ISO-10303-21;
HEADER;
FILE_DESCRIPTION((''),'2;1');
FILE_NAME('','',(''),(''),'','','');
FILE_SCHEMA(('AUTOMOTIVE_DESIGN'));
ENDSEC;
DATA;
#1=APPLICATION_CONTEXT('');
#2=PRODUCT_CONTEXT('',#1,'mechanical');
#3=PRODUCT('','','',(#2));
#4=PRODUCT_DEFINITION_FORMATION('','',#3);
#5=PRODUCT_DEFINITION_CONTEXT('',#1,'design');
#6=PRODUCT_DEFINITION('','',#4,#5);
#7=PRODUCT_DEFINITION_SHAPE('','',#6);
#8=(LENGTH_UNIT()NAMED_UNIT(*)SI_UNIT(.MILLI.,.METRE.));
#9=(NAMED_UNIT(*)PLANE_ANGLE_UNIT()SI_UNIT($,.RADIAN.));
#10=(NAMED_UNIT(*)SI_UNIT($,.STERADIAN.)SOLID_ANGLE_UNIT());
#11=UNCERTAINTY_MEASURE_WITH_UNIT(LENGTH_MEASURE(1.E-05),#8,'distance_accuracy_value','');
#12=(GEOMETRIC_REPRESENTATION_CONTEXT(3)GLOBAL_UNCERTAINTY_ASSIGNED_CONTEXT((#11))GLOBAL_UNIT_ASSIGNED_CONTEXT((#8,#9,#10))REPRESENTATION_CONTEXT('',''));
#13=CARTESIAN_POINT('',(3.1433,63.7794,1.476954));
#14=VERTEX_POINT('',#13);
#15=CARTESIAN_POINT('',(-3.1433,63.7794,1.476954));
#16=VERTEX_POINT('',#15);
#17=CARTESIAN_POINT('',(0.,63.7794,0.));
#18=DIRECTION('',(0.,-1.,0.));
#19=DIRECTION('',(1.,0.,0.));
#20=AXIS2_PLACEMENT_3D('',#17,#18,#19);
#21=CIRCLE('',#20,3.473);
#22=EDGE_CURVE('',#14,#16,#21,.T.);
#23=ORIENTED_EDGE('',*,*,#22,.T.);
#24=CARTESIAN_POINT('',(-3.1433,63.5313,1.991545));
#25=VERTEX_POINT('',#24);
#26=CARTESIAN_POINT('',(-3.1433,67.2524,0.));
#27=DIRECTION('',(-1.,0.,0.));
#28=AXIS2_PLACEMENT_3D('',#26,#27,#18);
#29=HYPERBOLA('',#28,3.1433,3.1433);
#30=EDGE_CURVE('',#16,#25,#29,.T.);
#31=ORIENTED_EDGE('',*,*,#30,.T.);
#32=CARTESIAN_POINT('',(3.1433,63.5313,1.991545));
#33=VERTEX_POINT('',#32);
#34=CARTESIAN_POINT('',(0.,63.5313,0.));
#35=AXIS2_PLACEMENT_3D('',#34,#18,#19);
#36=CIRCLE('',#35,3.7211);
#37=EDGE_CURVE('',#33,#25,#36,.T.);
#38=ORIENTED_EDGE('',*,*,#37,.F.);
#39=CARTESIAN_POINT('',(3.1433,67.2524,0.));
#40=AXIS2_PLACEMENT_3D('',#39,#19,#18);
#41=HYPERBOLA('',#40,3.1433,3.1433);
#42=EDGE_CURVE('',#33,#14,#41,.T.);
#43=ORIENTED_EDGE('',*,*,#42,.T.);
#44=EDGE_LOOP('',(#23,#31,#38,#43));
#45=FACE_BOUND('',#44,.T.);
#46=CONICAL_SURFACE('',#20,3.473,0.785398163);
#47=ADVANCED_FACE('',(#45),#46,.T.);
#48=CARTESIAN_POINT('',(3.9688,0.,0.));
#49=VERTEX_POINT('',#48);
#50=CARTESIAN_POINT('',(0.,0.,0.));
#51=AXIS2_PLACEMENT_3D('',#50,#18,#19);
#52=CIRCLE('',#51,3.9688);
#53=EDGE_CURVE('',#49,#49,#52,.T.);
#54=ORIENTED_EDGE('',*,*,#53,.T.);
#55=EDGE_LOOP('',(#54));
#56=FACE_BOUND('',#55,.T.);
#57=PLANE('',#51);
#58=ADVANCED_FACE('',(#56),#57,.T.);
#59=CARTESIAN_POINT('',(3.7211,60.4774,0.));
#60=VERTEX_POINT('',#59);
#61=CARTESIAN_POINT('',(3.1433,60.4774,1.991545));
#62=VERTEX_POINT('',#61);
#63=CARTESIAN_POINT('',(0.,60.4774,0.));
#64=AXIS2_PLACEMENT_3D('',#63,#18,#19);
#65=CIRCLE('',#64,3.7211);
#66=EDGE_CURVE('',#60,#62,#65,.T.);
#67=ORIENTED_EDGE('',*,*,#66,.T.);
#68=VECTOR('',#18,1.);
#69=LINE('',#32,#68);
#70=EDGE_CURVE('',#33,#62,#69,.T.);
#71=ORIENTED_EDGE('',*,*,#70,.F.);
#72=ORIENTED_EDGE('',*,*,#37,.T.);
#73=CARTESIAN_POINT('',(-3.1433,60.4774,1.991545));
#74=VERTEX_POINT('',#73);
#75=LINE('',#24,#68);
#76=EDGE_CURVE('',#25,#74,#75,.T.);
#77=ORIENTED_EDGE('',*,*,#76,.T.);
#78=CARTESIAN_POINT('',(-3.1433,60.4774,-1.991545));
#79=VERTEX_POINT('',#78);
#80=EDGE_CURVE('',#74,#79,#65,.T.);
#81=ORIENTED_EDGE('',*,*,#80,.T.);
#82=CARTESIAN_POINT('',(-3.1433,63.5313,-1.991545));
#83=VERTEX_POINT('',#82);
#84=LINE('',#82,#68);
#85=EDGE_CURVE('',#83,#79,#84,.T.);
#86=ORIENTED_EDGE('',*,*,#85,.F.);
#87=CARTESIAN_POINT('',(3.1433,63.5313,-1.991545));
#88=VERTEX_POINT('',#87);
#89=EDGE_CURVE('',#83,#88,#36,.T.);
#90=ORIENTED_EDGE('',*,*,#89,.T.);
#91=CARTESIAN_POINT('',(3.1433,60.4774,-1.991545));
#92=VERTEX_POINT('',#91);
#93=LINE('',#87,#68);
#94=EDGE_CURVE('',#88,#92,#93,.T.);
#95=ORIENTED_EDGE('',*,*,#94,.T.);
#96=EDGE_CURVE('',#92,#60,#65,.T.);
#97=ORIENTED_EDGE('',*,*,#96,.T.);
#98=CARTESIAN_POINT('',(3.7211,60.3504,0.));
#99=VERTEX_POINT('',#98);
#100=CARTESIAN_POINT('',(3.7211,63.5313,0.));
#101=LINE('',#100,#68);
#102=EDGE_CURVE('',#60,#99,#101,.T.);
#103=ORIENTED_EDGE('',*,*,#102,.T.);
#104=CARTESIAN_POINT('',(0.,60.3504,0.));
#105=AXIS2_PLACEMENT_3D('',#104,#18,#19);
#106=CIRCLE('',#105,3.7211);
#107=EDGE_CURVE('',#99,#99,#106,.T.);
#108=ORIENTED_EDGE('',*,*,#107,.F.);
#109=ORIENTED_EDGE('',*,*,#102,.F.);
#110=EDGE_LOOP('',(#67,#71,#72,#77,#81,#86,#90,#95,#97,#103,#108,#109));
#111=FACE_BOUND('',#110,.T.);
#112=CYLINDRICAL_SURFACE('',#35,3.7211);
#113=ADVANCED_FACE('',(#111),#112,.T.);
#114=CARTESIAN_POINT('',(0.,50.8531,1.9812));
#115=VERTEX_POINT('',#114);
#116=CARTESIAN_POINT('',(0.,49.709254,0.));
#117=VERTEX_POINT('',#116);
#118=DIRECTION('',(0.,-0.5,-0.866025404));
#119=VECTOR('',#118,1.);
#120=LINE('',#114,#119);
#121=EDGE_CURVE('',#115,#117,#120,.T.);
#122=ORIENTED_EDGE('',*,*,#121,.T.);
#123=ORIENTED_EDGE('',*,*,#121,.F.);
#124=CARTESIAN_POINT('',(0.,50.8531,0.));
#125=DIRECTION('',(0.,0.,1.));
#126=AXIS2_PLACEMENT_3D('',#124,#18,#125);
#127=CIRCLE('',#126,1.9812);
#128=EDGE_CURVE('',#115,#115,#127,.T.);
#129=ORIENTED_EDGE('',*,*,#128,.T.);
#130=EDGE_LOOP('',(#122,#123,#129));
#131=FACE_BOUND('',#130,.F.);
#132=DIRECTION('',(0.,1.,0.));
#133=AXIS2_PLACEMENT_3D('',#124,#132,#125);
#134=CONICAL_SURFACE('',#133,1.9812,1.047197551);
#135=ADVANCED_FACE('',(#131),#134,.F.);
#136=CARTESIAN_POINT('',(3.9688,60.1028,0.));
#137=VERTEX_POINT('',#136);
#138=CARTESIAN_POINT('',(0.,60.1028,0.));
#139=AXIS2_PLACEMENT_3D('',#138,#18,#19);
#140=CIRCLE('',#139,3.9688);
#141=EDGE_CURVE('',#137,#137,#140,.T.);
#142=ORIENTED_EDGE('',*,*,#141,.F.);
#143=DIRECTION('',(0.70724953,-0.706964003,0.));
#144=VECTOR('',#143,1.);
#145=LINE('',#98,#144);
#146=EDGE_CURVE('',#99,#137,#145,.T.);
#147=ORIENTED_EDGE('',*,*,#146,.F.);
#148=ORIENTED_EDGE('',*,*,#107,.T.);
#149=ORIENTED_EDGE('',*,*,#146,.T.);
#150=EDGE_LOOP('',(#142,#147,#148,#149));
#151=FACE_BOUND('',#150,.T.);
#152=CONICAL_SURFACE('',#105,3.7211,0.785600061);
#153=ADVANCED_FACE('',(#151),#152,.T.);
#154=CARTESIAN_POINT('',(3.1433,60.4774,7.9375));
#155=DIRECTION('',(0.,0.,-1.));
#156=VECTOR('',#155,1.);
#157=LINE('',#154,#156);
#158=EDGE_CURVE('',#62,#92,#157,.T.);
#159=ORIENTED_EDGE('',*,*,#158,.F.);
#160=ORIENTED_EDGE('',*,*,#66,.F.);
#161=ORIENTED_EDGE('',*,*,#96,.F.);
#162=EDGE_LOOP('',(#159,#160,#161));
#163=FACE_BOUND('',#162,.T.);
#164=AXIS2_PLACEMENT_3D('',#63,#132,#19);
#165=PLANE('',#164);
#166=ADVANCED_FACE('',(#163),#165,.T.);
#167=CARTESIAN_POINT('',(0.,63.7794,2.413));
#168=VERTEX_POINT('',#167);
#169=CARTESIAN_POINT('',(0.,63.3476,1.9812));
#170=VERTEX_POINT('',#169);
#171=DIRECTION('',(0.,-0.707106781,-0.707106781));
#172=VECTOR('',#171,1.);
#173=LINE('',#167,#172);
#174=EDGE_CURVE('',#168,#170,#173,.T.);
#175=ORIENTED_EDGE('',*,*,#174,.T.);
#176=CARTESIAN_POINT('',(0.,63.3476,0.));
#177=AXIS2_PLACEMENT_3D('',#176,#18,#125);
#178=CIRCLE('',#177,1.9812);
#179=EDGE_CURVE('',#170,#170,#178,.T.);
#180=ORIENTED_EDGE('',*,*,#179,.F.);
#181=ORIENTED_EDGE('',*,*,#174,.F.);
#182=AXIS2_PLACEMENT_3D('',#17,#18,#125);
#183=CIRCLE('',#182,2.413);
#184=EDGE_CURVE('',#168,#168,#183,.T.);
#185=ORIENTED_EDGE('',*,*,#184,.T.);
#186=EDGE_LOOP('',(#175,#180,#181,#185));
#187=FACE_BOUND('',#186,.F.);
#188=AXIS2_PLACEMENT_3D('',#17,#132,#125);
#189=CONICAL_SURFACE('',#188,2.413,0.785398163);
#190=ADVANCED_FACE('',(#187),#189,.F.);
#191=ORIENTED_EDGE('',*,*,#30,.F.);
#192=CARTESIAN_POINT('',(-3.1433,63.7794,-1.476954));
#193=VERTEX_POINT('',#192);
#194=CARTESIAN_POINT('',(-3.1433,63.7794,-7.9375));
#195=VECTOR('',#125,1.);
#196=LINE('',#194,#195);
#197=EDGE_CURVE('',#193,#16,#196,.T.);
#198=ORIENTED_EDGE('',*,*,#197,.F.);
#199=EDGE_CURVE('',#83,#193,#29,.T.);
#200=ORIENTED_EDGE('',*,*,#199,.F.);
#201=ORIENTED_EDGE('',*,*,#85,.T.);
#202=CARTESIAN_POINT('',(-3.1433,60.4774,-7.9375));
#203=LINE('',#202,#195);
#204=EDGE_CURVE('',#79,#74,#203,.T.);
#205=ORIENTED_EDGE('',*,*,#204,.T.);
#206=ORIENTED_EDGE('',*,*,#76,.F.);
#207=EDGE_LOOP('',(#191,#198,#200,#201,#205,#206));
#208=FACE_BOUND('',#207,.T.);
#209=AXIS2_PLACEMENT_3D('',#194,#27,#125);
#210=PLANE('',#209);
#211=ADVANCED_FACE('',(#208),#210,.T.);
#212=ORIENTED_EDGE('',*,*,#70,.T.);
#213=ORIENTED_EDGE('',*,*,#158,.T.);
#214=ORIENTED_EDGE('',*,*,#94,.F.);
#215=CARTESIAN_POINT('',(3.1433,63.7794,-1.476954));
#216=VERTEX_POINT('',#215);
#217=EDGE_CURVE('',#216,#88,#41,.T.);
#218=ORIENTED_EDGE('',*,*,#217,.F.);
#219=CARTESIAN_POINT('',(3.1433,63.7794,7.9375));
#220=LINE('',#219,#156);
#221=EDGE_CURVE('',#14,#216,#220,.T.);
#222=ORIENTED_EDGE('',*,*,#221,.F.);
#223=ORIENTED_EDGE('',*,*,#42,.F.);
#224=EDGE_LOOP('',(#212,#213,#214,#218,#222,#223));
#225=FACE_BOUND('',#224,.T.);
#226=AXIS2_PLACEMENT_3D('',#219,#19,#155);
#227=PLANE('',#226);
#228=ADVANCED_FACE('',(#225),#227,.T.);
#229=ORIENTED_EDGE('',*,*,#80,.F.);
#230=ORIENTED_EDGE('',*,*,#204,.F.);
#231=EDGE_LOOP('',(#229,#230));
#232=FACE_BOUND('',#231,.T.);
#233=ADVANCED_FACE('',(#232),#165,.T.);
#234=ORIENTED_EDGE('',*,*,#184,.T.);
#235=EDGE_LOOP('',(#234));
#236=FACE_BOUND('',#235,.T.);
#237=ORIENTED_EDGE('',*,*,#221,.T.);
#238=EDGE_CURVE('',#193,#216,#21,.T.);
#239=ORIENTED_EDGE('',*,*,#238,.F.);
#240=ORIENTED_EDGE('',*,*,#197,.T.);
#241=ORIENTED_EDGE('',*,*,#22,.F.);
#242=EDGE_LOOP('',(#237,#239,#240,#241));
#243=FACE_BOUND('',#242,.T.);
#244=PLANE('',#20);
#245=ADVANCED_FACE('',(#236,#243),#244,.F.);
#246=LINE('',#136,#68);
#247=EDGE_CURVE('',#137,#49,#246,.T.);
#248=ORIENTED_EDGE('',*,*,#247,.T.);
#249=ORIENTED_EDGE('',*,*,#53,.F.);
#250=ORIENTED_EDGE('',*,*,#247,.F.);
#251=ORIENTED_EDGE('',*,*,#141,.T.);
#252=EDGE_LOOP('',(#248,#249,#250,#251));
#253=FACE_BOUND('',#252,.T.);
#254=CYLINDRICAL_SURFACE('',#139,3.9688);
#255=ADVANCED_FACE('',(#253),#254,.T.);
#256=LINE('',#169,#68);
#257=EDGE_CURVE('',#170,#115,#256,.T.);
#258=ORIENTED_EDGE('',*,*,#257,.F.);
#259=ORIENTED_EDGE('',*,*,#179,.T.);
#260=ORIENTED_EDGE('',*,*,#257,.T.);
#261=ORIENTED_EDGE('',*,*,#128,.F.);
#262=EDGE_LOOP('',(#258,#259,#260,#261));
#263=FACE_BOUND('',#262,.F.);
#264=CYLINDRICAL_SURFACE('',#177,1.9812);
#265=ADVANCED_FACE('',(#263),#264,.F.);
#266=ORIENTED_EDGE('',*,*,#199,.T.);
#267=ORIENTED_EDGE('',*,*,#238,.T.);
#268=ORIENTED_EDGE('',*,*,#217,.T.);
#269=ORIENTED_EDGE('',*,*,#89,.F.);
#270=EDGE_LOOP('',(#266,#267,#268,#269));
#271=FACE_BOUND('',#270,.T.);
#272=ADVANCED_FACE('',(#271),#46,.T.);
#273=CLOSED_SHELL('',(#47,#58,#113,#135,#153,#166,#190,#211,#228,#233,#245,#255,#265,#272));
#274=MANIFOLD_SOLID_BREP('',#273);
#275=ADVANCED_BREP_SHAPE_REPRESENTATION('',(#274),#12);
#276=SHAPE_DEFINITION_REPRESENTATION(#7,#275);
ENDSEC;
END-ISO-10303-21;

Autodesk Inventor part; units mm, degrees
sketch "Sketch_31" plane through (0, 0, 0) normal (0, 0, 1) x (1, 0, 0)
  line L0 (0, 0) -> (0, 63.7794)
  line L1 (0, 63.7794) -> (3.473, 63.7794)
  line L2 (3.473, 63.7794) -> (3.7211, 63.5313)
  line L3 (3.7211, 63.5313) -> (3.7211, 60.3504)
  line L4 (3.7211, 60.3504) -> (3.9688, 60.1028)
  line L5 (3.9688, 60.1028) -> (3.9688, 0)
  line L6 (3.9688, 0) -> (0, 0)
  line L7 (0, 0) -> (0, 63.7794)
revolve "Revolution1" add sketch "Sketch_31" angle 360 about axis through (0, 0, 0) along (0, -1, 0)
sketch "Sketch2" plane through (0, 63.7794, 0) normal (0, 1, 0) x (1, 0, 0)
  point P0 (0, 0)
hole "Hole1" at (0, 63.7794, 0) direction (0, -1, 0) diameter 3.9624 depth 12.9263 tip angle 120 countersink diameter 4.826 countersink angle 90 thread size "10-32 UNF" class "2B" standard "ANSI Unified Screw Threads"
sketch "Sketch_29" plane through (0, 63.7794, 0) normal (0, 1, 0) x (1, 0, 0)
  line L0 (-6.2865, -15.875) -> (6.2865, -15.875)
  line L1 (6.2865, -15.875) -> (6.2865, 15.875)
  line L2 (6.2865, 15.875) -> (-6.2865, 15.875)
  line L3 (-6.2865, 15.875) -> (-6.2865, -15.875)
  line L4 (-3.1433, -7.9375) -> (3.1433, -7.9375)
  line L5 (3.1433, -7.9375) -> (3.1433, 7.9375)
  line L6 (3.1433, 7.9375) -> (-3.1433, 7.9375)
  line L7 (-3.1433, 7.9375) -> (-3.1433, -7.9375)
extrude "Extrusion1" cut sketch "Sketch_29" against normal blind 3.302
ref_plane "b11_XY" through (0, 0, 0) normal (0, 1, 0) x (1, 0, 0)
ref_plane "b11_YZ" through (0, 0, 0) normal (1, 0, 0) x (0, 0, -1)
ref_plane "b11_ZX" through (0, 0, 0) normal (0, 0, -1) x (0, 1, 0)
ref_plane "b2_XY" through (0, 63.7794, 0) normal (0, 1, 0) x (1, 0, 0)
ref_plane "b2_YZ" through (0, 63.7794, 0) normal (1, 0, 0) x (0, 0, -1)
ref_plane "b2_ZX" through (0, 63.7794, 0) normal (0, 0, -1) x (0, 1, 0)
ref_plane "f1_XY" through (0, 63.7794, 3.9688) normal (1, 0, 0) x (0, 0, -1)
ref_plane "f1_YZ" through (0, 63.7794, 3.9688) normal (0, 0, -1) x (0, 1, 0)
ref_plane "f1_ZX" through (0, 63.7794, 3.9688) normal (0, 1, 0) x (1, 0, 0)
ref_plane "f2_XY" through (0, 63.7794, -3.9688) normal (1, 0, 0) x (0, 0, -1)
ref_plane "f2_YZ" through (0, 63.7794, -3.9688) normal (0, 0, -1) x (0, 1, 0)
ref_plane "f2_ZX" through (0, 63.7794, -3.9688) normal (0, 1, 0) x (1, 0, 0)
ref_plane "h1_XY" through (-3.1433, 63.7794, 0) normal (0, 1, 0) x (1, 0, 0)
ref_plane "h1_YZ" through (-3.1433, 63.7794, 0) normal (1, 0, 0) x (0, 0, -1)
ref_plane "h1_ZX" through (-3.1433, 63.7794, 0) normal (0, 0, -1) x (0, 1, 0)
ref_plane "h2_XY" through (3.1433, 63.7794, 0) normal (0, 1, 0) x (1, 0, 0)
ref_plane "h2_YZ" through (3.1433, 63.7794, 0) normal (1, 0, 0) x (0, 0, -1)
ref_plane "h2_ZX" through (3.1433, 63.7794, 0) normal (0, 0, -1) x (0, 1, 0)
ref_plane "npt1_XY" through (0, 63.7794, 0) normal (0, 1, 0) x (1, 0, 0)
ref_plane "npt1_YZ" through (0, 63.7794, 0) normal (1, 0, 0) x (0, 0, -1)
ref_plane "npt1_ZX" through (0, 63.7794, 0) normal (0, 0, -1) x (0, 1, 0)
ref_plane "npt2_XY" through (0, 63.7794, 0) normal (0, 1, 0) x (1, 0, 0)
ref_plane "npt2_YZ" through (0, 63.7794, 0) normal (1, 0, 0) x (0, 0, -1)
ref_plane "npt2_ZX" through (0, 63.7794, 0) normal (0, 0, -1) x (0, 1, 0)
ref_plane "rod_XY" through (0, 63.7794, 0) normal (0, 1, 0) x (1, 0, 0)
ref_plane "rod_YZ" through (0, 63.7794, 0) normal (1, 0, 0) x (0, 0, -1)
ref_plane "rod_ZX" through (0, 63.7794, 0) normal (0, 0, -1) x (0, 1, 0)
ref_plane "rod_to_part_XY" through (0, 0, 0) normal (0, 1, 0) x (1, 0, 0)
ref_plane "rod_to_part_YZ" through (0, 0, 0) normal (1, 0, 0) x (0, 0, -1)
ref_plane "rod_to_part_ZX" through (0, 0, 0) normal (0, 0, -1) x (0, 1, 0)
ref_plane "th1_XY" through (0, 63.7794, 2.413) normal (0, 1, 0) x (1, 0, 0)
ref_plane "th1_YZ" through (0, 63.7794, 2.413) normal (1, 0, 0) x (0, 0, -1)
ref_plane "th1_ZX" through (0, 63.7794, 2.413) normal (0, 0, -1) x (0, 1, 0)
ref_plane "th2_XY" through (0, 63.7794, -2.413) normal (0, 1, 0) x (1, 0, 0)
ref_plane "th2_YZ" through (0, 63.7794, -2.413) normal (1, 0, 0) x (0, 0, -1)
ref_plane "th2_ZX" through (0, 63.7794, -2.413) normal (0, 0, -1) x (0, 1, 0)
ref_plane "to_rod_pivot_XY" through (0, 63.7794, 0) normal (0, 1, 0) x (1, 0, 0)
ref_plane "to_rod_pivot_YZ" through (0, 63.7794, 0) normal (1, 0, 0) x (0, 0, -1)
ref_plane "to_rod_pivot_ZX" through (0, 63.7794, 0) normal (0, 0, -1) x (0, 1, 0)
ref_plane "to_rod_pivot1_XY" through (0, 0, 0) normal (0, 1, 0) x (1, 0, 0)
ref_plane "to_rod_pivot1_YZ" through (0, 0, 0) normal (1, 0, 0) x (0, 0, -1)
ref_plane "to_rod_pivot1_ZX" through (0, 0, 0) normal (0, 0, -1) x (0, 1, 0)
properties part number "FO-042.5112.511-00_rod"
